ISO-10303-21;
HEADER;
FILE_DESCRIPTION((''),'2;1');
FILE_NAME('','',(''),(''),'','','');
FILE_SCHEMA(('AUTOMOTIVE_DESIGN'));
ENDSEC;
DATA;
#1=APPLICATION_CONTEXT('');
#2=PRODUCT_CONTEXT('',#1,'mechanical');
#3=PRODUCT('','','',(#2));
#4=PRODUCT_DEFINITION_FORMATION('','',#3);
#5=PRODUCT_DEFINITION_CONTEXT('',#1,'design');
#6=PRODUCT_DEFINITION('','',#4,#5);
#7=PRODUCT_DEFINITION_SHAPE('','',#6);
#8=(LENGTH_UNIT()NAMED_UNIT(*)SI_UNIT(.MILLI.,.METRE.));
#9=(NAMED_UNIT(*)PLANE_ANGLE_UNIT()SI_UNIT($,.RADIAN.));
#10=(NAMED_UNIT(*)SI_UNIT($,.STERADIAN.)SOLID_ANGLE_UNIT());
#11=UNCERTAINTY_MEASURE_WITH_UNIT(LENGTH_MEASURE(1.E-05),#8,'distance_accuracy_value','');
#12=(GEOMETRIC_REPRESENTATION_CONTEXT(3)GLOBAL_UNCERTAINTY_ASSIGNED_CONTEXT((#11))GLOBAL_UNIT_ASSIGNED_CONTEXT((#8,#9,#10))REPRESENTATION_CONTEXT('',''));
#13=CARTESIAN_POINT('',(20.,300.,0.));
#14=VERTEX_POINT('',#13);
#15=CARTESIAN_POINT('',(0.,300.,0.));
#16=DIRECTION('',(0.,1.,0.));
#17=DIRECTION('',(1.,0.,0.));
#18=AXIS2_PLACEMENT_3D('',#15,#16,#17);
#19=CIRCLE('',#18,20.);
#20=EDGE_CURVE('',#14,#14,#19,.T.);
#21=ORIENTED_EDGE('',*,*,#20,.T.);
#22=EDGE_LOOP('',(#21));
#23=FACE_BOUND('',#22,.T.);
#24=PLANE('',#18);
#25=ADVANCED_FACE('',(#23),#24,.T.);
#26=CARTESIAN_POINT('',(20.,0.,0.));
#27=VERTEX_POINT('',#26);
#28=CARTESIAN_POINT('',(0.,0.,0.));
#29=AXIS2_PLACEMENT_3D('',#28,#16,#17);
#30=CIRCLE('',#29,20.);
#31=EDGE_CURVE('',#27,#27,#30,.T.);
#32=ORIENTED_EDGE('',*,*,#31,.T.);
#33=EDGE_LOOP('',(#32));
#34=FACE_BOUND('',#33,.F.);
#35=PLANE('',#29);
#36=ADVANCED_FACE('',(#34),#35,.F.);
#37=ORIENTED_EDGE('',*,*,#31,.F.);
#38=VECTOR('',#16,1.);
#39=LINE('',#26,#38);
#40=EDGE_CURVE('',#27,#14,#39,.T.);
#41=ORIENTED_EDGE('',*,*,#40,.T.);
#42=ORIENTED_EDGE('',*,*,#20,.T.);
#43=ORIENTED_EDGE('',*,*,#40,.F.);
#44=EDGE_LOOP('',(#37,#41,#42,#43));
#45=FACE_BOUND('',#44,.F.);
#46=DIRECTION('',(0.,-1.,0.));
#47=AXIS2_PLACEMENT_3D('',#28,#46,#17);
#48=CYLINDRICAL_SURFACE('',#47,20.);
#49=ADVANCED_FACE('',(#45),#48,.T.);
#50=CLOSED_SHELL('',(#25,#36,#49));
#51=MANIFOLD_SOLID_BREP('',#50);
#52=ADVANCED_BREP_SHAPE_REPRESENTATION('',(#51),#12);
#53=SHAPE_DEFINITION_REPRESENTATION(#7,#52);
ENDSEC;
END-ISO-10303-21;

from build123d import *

# Parameters (mm, degrees)
SKETCH1_R           = 20
BOSS_EXTRUDE1_DEPTH = 300


with BuildPart() as part:
    # Sketch1 → Boss-Extrude1 (new body)
    with BuildSketch(Plane(origin=(0, 0, 0), x_dir=(1, 0, 0), z_dir=(0, 1, 0))):
        Circle(SKETCH1_R)
    extrude(amount=BOSS_EXTRUDE1_DEPTH)


solid = part.part
